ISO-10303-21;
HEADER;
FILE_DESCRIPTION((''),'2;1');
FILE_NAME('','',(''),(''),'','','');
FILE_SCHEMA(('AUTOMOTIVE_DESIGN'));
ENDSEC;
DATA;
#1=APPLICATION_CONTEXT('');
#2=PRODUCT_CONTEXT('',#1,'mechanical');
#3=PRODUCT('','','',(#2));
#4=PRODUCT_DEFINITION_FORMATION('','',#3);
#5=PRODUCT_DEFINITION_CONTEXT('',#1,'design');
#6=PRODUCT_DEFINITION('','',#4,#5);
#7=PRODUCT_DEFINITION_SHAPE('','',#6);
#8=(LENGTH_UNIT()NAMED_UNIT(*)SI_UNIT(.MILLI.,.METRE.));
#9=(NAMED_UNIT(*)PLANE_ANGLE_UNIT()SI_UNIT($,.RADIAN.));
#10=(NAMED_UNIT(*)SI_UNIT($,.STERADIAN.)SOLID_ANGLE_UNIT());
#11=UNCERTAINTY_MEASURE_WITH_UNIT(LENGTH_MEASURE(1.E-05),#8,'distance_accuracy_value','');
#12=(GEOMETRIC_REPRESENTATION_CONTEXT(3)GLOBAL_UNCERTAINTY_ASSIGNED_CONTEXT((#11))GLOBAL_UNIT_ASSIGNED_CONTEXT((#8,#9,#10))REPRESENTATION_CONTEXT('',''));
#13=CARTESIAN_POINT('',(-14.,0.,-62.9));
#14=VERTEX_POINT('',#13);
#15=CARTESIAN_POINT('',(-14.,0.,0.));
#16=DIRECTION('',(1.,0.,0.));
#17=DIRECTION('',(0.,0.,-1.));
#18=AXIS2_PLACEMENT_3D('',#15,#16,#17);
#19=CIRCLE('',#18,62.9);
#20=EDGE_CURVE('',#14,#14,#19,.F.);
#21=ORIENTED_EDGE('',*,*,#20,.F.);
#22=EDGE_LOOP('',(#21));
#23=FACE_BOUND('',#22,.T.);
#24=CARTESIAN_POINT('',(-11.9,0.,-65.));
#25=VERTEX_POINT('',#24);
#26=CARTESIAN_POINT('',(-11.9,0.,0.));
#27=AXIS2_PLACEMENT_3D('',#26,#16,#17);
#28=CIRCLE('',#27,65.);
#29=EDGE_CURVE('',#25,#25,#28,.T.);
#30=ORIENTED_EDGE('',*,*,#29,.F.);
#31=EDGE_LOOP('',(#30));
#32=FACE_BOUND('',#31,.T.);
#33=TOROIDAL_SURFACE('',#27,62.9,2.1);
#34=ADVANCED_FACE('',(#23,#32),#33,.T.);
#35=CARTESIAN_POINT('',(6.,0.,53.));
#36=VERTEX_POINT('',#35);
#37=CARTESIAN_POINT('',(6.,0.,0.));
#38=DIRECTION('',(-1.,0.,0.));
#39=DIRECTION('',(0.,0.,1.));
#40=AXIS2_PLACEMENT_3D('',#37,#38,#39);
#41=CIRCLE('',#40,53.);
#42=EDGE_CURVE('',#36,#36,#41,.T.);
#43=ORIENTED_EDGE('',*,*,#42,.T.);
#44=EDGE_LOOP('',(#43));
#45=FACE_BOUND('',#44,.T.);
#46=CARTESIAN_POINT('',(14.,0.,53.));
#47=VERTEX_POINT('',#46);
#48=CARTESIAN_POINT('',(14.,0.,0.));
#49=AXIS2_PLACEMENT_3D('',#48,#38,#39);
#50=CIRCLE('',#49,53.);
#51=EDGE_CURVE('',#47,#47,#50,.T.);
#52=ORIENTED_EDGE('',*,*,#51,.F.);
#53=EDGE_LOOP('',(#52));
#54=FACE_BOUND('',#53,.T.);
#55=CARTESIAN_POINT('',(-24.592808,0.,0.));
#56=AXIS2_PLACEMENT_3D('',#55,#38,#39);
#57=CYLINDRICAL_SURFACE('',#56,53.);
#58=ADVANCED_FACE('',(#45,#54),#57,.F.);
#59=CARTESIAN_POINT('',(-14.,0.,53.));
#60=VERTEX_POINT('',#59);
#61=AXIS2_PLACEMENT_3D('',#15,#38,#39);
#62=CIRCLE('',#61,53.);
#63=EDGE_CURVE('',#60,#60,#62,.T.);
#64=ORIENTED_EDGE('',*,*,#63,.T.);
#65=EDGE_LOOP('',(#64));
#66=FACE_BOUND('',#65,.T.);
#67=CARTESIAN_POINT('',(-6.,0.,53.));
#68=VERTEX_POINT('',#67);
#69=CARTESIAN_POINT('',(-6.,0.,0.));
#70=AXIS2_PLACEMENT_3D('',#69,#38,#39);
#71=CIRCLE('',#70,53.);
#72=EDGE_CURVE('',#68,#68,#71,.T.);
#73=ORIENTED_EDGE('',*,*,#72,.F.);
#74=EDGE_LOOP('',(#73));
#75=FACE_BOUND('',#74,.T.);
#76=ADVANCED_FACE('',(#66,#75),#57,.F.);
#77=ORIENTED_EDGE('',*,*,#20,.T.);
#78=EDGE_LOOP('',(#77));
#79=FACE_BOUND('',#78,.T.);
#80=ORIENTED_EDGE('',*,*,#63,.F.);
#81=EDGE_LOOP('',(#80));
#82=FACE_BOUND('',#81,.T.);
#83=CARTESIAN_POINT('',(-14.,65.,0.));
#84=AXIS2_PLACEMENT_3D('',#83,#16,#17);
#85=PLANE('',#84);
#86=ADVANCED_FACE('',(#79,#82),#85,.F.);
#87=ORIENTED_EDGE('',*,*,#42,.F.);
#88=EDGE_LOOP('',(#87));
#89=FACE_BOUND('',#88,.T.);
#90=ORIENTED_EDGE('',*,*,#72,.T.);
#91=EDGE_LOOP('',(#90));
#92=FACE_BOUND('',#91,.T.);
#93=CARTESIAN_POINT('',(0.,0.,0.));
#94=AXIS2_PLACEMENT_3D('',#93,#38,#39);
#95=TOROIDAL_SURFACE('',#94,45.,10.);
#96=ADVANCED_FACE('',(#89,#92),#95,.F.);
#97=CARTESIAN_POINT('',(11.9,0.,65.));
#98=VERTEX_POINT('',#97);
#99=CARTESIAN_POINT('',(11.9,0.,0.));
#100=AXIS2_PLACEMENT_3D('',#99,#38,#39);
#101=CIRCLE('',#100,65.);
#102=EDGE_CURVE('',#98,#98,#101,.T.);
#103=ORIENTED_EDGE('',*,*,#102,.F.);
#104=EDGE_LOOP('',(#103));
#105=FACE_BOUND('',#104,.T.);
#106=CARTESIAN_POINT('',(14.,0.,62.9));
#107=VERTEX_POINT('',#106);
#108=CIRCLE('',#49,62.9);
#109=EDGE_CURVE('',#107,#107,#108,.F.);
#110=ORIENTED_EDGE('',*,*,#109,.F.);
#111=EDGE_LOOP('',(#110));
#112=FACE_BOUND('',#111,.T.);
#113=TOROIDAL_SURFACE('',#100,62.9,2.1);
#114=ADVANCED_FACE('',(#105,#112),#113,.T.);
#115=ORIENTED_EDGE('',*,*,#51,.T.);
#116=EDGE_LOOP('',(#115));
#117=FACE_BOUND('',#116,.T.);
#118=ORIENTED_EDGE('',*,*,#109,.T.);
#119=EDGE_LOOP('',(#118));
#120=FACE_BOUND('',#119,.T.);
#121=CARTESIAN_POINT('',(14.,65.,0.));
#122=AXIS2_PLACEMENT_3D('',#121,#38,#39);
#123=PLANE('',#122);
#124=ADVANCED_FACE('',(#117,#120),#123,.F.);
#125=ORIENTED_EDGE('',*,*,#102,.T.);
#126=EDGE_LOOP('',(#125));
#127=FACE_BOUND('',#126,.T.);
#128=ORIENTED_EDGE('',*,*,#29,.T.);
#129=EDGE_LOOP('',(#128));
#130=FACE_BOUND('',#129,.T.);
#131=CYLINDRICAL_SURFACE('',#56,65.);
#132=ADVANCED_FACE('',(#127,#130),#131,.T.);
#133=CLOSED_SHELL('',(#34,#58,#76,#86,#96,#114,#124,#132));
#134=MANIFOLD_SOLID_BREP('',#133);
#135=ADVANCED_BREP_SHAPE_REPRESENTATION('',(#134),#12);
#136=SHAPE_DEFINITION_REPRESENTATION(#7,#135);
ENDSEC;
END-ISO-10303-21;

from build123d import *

# Parameters (mm, degrees)
FILLET1_R = 2.1


with BuildPart() as part:
    # Sketch1 → Revolve1 (revolve)
    with BuildSketch(Plane.XY, mode=Mode.PRIVATE) as revolve1_sk:
        with BuildLine():
            Line((-14, 65), (14, 65))
            Line((14, 65), (14, 53))
            Line((14, 53), (6, 53))
            ThreePointArc((6, 53), (0, 55), (-6, 53))
            Line((-6, 53), (-14, 53))
            Line((-14, 53), (-14, 65))
        make_face()
    revolve(revolve1_sk.sketch.rotate(Axis((-24.592808126, 0, 0), (1, 0, 0)), 90), axis=Axis((-24.592808126, 0, 0), (1, 0, 0)))

    # Fillet1
    fillet1_edges = [part.edges().sort_by_distance(p)[0] for p in [
        (14, 0, -65),
        (-14, 0, -65),
    ]]
    fillet(fillet1_edges, radius=FILLET1_R)


solid = part.part
